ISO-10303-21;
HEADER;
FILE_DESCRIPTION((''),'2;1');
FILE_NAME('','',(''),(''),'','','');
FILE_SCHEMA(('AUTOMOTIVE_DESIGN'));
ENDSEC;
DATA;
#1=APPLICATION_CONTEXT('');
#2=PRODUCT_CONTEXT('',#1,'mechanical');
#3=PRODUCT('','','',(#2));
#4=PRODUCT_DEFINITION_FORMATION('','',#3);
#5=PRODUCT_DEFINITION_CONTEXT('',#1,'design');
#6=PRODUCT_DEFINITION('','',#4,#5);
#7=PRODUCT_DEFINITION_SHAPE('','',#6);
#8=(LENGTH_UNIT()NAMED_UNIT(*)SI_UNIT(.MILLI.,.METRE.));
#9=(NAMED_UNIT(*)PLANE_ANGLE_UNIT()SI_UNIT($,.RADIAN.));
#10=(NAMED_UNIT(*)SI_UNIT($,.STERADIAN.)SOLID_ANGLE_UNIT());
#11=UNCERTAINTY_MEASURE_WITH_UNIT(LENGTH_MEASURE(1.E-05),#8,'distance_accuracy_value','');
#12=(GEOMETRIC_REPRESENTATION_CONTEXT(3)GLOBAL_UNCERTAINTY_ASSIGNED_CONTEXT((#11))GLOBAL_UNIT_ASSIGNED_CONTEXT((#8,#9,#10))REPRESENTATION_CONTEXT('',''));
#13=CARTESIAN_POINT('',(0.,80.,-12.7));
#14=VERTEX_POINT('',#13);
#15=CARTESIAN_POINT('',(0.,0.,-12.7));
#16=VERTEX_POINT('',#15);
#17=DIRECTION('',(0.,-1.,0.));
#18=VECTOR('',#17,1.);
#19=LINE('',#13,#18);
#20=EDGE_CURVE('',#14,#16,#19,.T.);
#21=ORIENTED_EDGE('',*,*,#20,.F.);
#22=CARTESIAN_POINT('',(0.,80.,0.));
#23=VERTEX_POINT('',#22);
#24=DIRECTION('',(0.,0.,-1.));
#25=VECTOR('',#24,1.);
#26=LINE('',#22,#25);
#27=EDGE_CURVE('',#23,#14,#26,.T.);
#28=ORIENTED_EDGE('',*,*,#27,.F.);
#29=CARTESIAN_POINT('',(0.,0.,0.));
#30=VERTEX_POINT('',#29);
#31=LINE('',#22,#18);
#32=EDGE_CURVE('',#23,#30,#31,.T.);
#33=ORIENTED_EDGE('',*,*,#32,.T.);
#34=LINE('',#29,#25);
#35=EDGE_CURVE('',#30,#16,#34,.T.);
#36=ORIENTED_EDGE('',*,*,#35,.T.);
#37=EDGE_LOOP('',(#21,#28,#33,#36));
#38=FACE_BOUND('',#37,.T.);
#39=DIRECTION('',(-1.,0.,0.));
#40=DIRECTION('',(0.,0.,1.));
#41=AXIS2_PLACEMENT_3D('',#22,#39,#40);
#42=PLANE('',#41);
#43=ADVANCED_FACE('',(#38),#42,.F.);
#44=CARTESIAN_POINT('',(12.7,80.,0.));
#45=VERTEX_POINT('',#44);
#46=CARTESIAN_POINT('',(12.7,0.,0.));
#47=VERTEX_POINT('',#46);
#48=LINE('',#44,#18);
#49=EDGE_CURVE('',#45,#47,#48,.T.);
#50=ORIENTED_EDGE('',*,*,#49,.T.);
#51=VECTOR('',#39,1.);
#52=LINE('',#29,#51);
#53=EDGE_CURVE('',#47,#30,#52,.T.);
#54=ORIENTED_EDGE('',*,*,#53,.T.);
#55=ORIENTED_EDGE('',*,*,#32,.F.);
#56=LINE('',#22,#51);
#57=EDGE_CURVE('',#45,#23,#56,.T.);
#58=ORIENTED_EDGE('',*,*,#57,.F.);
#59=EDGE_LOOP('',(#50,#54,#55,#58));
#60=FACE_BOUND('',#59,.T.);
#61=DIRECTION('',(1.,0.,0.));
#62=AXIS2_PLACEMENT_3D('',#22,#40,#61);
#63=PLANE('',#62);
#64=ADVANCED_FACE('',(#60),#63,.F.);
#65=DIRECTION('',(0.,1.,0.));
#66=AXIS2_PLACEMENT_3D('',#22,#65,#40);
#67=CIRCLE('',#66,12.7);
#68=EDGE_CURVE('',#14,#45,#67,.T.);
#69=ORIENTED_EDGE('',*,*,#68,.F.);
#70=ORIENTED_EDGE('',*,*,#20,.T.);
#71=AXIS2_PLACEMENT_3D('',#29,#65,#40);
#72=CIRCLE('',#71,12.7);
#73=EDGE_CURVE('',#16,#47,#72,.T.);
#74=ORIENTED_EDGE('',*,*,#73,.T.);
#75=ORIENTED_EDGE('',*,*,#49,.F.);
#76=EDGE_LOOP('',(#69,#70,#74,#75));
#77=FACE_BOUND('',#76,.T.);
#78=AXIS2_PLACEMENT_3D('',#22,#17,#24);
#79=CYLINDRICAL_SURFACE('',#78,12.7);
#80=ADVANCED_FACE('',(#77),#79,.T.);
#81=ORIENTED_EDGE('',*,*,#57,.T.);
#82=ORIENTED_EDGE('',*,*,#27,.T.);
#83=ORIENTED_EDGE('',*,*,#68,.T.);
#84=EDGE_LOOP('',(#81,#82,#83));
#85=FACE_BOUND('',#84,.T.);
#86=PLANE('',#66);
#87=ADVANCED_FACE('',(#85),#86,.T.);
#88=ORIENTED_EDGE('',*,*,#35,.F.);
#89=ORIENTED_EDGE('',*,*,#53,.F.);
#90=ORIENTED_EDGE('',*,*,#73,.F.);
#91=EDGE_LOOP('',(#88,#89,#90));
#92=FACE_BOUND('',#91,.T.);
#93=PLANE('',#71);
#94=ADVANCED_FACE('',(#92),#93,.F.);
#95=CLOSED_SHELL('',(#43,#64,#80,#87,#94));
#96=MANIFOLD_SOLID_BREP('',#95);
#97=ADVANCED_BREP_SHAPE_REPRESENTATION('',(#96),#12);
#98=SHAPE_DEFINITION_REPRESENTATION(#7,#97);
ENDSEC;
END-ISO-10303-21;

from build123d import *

# Parameters (mm, degrees)
BOSS_EXTRUDE1_DEPTH = 80


with BuildPart() as part:
    # Sketch1 → Boss-Extrude1 (new body)
    with BuildSketch(Plane(origin=(0, 0, 0), x_dir=(1, 0, 0), z_dir=(0, 1, 0))):
        with BuildLine():
            Line((0, 0), (0, 12.7))
            ThreePointArc((0, 12.7), (-8.980256121, -8.980256121), (12.7, 0))
            Line((12.7, 0), (0, 0))
        make_face()
    extrude(amount=BOSS_EXTRUDE1_DEPTH)


solid = part.part
